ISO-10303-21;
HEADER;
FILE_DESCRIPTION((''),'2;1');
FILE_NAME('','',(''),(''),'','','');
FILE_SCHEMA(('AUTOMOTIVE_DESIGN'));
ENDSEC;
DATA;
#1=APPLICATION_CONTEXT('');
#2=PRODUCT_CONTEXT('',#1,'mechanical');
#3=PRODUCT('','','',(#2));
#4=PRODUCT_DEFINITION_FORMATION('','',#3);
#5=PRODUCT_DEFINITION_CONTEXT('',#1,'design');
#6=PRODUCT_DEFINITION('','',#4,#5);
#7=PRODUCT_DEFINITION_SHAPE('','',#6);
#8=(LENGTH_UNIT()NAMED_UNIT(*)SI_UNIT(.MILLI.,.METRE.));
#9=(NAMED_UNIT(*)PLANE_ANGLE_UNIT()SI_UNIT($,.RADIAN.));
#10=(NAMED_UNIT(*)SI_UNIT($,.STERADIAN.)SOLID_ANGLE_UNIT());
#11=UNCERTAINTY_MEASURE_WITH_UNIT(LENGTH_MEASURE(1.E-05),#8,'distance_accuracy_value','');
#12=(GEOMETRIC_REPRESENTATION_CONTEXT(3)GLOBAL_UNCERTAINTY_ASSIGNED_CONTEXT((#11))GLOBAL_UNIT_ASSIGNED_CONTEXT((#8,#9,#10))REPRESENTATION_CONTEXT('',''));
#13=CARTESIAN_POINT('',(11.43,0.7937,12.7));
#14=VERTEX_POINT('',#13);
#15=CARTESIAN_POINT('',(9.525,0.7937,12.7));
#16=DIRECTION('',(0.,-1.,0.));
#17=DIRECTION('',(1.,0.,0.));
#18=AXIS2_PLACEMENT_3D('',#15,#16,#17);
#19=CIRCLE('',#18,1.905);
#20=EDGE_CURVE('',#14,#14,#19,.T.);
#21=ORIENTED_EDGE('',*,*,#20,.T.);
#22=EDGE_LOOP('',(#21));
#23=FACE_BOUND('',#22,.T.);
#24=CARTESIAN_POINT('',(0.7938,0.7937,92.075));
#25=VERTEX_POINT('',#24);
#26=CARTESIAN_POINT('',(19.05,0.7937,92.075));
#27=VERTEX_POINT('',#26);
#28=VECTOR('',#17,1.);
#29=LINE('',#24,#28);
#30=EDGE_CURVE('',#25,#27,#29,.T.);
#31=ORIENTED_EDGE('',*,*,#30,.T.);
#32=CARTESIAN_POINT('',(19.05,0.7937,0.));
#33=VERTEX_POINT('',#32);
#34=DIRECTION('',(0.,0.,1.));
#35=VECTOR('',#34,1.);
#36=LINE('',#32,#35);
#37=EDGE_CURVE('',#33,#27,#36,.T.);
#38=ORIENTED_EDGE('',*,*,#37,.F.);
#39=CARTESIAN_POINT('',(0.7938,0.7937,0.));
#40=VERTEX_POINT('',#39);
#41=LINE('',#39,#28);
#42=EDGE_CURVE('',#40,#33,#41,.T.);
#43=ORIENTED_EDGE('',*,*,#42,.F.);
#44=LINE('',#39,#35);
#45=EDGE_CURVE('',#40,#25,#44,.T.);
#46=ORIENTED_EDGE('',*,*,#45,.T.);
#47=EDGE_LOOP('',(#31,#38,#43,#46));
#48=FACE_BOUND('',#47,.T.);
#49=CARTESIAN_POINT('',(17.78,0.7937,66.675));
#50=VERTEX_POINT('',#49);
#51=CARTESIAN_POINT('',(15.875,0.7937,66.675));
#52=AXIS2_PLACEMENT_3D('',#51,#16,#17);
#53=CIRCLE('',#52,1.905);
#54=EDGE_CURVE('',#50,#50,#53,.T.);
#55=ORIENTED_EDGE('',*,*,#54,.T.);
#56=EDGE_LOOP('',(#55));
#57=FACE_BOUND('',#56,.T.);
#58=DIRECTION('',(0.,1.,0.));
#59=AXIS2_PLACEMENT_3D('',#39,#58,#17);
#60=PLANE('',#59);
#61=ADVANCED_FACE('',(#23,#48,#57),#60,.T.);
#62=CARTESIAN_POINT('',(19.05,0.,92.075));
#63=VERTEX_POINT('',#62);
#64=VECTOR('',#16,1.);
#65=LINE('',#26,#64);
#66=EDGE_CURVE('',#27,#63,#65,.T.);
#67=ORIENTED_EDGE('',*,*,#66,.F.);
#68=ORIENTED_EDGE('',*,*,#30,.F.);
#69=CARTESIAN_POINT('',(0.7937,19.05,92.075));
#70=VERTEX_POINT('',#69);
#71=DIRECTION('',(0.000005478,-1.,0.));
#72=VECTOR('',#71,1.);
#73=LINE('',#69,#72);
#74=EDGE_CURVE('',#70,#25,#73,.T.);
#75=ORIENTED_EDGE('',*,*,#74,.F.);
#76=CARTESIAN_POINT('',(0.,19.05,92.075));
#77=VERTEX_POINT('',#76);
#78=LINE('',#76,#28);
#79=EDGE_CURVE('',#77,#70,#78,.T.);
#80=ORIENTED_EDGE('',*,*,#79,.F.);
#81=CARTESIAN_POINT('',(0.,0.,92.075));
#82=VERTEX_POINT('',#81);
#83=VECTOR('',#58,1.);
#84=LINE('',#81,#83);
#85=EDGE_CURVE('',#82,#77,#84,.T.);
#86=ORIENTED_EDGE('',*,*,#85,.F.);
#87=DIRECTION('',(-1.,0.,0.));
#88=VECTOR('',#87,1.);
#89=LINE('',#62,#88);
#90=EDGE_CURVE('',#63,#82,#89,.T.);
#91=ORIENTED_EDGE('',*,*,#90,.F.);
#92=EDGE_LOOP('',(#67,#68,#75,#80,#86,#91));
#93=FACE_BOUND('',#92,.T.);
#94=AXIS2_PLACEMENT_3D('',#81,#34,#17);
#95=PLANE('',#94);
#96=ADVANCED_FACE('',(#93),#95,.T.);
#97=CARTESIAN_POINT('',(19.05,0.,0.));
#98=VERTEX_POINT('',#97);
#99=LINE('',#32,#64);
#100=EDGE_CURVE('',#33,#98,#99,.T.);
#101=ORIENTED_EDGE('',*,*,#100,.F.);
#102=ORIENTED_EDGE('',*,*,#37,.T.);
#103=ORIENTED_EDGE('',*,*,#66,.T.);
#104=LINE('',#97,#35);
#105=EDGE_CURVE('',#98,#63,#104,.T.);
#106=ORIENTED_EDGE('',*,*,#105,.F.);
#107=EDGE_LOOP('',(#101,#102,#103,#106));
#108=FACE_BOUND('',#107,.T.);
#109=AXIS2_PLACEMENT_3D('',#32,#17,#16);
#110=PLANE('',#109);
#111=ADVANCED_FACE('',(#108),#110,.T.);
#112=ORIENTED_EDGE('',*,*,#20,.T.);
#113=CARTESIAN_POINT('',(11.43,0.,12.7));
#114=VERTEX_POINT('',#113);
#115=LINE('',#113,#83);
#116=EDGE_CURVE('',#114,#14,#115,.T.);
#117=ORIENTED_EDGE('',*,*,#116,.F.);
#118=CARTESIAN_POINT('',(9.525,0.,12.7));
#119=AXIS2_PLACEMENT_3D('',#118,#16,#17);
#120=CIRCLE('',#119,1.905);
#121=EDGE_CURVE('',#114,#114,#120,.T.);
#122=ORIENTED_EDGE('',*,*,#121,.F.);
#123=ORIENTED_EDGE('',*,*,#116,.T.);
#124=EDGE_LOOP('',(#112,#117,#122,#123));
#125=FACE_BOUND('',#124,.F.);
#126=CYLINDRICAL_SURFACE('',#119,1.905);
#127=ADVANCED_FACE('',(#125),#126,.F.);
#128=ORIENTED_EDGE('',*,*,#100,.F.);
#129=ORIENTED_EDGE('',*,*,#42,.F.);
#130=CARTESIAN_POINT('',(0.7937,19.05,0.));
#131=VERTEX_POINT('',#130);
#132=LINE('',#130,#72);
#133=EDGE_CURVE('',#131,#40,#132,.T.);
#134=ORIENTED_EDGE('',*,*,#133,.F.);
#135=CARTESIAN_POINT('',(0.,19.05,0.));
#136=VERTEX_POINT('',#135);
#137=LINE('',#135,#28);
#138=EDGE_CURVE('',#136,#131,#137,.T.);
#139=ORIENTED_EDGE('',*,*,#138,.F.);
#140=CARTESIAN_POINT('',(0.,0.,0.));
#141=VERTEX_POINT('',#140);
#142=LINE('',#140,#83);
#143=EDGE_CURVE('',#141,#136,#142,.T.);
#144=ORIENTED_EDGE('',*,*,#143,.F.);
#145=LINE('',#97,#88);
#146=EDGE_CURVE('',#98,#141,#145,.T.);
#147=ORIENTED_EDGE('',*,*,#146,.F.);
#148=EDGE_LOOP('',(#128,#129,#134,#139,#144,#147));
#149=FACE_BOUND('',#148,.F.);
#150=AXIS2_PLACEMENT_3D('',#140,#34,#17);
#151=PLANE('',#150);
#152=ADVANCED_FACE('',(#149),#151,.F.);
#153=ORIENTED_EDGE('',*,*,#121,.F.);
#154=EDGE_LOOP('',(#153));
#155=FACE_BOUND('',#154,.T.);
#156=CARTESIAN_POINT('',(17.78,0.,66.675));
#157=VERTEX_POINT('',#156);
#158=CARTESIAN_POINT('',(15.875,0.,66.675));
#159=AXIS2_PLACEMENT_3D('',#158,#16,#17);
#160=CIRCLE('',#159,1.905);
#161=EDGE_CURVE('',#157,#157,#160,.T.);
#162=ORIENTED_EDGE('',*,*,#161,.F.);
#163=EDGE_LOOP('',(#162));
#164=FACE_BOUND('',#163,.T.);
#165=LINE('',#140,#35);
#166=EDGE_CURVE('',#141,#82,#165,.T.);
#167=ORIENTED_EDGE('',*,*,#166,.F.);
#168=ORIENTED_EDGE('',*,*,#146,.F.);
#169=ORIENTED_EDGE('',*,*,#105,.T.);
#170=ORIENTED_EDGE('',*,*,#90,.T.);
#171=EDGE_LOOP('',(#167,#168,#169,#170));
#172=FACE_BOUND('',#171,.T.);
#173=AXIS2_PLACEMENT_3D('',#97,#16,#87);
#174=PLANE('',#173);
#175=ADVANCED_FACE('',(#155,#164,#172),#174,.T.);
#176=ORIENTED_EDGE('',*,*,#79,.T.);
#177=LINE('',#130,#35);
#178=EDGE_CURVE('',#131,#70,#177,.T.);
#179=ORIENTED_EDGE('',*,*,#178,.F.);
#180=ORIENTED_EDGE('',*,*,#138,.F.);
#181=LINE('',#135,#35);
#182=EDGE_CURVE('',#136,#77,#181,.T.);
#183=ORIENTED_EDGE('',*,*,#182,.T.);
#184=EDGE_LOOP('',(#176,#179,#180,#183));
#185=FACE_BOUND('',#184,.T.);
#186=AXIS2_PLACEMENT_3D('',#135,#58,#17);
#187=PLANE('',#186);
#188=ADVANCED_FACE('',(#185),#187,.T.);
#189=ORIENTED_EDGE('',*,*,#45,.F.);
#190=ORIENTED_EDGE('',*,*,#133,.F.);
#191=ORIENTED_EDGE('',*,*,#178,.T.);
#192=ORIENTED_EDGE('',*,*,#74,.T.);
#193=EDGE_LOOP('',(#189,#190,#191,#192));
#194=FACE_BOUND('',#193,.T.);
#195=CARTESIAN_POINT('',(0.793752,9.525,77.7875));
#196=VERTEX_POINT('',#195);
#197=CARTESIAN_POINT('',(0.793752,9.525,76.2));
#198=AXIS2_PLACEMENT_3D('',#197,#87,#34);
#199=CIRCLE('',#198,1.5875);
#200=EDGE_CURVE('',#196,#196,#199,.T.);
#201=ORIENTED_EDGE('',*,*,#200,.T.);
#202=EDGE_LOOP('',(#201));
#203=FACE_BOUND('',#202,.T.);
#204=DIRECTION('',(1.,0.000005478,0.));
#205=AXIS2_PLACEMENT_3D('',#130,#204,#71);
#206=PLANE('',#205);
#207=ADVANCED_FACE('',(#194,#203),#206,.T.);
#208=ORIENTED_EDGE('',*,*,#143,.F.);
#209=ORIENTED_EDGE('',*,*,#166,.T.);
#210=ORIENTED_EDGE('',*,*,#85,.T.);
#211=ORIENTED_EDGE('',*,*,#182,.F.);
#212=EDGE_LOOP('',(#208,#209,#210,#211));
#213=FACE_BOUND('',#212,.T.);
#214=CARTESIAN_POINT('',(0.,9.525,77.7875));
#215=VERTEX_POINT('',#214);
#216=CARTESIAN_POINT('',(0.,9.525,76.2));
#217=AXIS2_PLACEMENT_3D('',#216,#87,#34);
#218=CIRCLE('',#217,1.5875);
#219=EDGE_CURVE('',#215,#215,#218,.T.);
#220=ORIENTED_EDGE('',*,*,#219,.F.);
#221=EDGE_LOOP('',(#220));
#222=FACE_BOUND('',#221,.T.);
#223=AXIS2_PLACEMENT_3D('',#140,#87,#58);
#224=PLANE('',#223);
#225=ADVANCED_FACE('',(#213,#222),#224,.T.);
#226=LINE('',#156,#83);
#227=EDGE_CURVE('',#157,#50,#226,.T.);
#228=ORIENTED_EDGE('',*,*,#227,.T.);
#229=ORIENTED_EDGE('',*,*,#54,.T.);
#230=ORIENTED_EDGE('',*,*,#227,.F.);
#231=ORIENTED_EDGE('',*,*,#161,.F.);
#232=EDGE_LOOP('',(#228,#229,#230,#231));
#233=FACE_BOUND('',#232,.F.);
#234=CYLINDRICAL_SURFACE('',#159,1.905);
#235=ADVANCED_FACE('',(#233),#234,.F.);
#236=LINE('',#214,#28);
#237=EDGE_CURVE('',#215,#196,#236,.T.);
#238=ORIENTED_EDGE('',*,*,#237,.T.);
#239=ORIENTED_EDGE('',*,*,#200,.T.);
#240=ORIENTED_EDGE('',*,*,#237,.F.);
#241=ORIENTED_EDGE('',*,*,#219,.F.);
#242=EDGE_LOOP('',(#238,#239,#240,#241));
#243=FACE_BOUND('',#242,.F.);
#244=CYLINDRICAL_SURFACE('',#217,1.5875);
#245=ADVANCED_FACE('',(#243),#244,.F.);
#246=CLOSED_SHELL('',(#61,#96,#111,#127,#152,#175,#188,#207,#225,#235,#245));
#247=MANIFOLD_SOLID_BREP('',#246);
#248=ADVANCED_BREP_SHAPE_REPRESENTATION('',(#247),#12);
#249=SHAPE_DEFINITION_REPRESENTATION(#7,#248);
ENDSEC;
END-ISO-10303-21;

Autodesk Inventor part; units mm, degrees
ref_plane "YZ Plane" through (0, 0, 0) normal (1, 0, 0) x (0, 1, 0)
ref_plane "XZ Plane" through (0, 0, 0) normal (0, 1, 0) x (-1, 0, 0)
ref_plane "XY Plane" through (0, 0, 0) normal (0, 0, 1) x (1, 0, 0)
sketch "Sketch1" plane through (0, 0, 0) normal (0, 0, 1) x (1, 0, 0)
  line L0 (0, 0) -> (0, 19.05)
  line L1 (0, 19.05) -> (0.7937, 19.05)
  line L2 (0.7937, 19.05) -> (0.7938, 0.7937)
  line L3 (0.7938, 0.7937) -> (19.05, 0.7937)
  line L4 (19.05, 0.7937) -> (19.05, 0)
  line L5 (19.05, 0) -> (0, 0)
  dimension "d0" = 19.05
  dimension "d1" = 0.7937
extrude "Extrusion1" add sketch "Sketch1" along normal blind 92.075
sketch "Sketch2" plane through (0, 0, 0) normal (0, -1, 0) x (1, 0, 0)
  line L0 (19.05, 0) -> (0, 0) projected
  line L1 (19.05, 0) -> (19.05, 92.075) projected
  line L2 (0, 92.075) -> (19.05, 92.075) projected
  line L3 (15.875, 92.075) -> (15.875, 0) construction
  circle A0 centre (15.875, 66.675) radius 1.905
  line L4 (9.525, 92.075) -> (9.525, 0) construction
  circle A1 centre (9.525, 12.7) radius 1.905
  dimension "d4" = 3.175
  dimension "d5" = 3.81
  dimension "d6" = 25.4
  dimension "d7" = 12.7
extrude "Extrusion2" cut sketch "Sketch2" against normal through all
sketch "Sketch3" plane through (0, 0, 0) normal (-1, 0, 0) x (0, 0, 1)
  line L0 (0, 0) -> (0, 19.05) projected
  line L1 (92.075, 19.05) -> (92.075, 0) projected
  line L2 (0, 9.525) -> (92.075, 9.525) construction
  circle A0 centre (76.2, 9.525) radius 1.5875
  dimension "d10" = 3.175
  dimension "d11" = 15.875
extrude "Extrusion3" cut sketch "Sketch3" against normal through all
properties part number "Hopper Bracing P1" material "Aluminum 6061"
